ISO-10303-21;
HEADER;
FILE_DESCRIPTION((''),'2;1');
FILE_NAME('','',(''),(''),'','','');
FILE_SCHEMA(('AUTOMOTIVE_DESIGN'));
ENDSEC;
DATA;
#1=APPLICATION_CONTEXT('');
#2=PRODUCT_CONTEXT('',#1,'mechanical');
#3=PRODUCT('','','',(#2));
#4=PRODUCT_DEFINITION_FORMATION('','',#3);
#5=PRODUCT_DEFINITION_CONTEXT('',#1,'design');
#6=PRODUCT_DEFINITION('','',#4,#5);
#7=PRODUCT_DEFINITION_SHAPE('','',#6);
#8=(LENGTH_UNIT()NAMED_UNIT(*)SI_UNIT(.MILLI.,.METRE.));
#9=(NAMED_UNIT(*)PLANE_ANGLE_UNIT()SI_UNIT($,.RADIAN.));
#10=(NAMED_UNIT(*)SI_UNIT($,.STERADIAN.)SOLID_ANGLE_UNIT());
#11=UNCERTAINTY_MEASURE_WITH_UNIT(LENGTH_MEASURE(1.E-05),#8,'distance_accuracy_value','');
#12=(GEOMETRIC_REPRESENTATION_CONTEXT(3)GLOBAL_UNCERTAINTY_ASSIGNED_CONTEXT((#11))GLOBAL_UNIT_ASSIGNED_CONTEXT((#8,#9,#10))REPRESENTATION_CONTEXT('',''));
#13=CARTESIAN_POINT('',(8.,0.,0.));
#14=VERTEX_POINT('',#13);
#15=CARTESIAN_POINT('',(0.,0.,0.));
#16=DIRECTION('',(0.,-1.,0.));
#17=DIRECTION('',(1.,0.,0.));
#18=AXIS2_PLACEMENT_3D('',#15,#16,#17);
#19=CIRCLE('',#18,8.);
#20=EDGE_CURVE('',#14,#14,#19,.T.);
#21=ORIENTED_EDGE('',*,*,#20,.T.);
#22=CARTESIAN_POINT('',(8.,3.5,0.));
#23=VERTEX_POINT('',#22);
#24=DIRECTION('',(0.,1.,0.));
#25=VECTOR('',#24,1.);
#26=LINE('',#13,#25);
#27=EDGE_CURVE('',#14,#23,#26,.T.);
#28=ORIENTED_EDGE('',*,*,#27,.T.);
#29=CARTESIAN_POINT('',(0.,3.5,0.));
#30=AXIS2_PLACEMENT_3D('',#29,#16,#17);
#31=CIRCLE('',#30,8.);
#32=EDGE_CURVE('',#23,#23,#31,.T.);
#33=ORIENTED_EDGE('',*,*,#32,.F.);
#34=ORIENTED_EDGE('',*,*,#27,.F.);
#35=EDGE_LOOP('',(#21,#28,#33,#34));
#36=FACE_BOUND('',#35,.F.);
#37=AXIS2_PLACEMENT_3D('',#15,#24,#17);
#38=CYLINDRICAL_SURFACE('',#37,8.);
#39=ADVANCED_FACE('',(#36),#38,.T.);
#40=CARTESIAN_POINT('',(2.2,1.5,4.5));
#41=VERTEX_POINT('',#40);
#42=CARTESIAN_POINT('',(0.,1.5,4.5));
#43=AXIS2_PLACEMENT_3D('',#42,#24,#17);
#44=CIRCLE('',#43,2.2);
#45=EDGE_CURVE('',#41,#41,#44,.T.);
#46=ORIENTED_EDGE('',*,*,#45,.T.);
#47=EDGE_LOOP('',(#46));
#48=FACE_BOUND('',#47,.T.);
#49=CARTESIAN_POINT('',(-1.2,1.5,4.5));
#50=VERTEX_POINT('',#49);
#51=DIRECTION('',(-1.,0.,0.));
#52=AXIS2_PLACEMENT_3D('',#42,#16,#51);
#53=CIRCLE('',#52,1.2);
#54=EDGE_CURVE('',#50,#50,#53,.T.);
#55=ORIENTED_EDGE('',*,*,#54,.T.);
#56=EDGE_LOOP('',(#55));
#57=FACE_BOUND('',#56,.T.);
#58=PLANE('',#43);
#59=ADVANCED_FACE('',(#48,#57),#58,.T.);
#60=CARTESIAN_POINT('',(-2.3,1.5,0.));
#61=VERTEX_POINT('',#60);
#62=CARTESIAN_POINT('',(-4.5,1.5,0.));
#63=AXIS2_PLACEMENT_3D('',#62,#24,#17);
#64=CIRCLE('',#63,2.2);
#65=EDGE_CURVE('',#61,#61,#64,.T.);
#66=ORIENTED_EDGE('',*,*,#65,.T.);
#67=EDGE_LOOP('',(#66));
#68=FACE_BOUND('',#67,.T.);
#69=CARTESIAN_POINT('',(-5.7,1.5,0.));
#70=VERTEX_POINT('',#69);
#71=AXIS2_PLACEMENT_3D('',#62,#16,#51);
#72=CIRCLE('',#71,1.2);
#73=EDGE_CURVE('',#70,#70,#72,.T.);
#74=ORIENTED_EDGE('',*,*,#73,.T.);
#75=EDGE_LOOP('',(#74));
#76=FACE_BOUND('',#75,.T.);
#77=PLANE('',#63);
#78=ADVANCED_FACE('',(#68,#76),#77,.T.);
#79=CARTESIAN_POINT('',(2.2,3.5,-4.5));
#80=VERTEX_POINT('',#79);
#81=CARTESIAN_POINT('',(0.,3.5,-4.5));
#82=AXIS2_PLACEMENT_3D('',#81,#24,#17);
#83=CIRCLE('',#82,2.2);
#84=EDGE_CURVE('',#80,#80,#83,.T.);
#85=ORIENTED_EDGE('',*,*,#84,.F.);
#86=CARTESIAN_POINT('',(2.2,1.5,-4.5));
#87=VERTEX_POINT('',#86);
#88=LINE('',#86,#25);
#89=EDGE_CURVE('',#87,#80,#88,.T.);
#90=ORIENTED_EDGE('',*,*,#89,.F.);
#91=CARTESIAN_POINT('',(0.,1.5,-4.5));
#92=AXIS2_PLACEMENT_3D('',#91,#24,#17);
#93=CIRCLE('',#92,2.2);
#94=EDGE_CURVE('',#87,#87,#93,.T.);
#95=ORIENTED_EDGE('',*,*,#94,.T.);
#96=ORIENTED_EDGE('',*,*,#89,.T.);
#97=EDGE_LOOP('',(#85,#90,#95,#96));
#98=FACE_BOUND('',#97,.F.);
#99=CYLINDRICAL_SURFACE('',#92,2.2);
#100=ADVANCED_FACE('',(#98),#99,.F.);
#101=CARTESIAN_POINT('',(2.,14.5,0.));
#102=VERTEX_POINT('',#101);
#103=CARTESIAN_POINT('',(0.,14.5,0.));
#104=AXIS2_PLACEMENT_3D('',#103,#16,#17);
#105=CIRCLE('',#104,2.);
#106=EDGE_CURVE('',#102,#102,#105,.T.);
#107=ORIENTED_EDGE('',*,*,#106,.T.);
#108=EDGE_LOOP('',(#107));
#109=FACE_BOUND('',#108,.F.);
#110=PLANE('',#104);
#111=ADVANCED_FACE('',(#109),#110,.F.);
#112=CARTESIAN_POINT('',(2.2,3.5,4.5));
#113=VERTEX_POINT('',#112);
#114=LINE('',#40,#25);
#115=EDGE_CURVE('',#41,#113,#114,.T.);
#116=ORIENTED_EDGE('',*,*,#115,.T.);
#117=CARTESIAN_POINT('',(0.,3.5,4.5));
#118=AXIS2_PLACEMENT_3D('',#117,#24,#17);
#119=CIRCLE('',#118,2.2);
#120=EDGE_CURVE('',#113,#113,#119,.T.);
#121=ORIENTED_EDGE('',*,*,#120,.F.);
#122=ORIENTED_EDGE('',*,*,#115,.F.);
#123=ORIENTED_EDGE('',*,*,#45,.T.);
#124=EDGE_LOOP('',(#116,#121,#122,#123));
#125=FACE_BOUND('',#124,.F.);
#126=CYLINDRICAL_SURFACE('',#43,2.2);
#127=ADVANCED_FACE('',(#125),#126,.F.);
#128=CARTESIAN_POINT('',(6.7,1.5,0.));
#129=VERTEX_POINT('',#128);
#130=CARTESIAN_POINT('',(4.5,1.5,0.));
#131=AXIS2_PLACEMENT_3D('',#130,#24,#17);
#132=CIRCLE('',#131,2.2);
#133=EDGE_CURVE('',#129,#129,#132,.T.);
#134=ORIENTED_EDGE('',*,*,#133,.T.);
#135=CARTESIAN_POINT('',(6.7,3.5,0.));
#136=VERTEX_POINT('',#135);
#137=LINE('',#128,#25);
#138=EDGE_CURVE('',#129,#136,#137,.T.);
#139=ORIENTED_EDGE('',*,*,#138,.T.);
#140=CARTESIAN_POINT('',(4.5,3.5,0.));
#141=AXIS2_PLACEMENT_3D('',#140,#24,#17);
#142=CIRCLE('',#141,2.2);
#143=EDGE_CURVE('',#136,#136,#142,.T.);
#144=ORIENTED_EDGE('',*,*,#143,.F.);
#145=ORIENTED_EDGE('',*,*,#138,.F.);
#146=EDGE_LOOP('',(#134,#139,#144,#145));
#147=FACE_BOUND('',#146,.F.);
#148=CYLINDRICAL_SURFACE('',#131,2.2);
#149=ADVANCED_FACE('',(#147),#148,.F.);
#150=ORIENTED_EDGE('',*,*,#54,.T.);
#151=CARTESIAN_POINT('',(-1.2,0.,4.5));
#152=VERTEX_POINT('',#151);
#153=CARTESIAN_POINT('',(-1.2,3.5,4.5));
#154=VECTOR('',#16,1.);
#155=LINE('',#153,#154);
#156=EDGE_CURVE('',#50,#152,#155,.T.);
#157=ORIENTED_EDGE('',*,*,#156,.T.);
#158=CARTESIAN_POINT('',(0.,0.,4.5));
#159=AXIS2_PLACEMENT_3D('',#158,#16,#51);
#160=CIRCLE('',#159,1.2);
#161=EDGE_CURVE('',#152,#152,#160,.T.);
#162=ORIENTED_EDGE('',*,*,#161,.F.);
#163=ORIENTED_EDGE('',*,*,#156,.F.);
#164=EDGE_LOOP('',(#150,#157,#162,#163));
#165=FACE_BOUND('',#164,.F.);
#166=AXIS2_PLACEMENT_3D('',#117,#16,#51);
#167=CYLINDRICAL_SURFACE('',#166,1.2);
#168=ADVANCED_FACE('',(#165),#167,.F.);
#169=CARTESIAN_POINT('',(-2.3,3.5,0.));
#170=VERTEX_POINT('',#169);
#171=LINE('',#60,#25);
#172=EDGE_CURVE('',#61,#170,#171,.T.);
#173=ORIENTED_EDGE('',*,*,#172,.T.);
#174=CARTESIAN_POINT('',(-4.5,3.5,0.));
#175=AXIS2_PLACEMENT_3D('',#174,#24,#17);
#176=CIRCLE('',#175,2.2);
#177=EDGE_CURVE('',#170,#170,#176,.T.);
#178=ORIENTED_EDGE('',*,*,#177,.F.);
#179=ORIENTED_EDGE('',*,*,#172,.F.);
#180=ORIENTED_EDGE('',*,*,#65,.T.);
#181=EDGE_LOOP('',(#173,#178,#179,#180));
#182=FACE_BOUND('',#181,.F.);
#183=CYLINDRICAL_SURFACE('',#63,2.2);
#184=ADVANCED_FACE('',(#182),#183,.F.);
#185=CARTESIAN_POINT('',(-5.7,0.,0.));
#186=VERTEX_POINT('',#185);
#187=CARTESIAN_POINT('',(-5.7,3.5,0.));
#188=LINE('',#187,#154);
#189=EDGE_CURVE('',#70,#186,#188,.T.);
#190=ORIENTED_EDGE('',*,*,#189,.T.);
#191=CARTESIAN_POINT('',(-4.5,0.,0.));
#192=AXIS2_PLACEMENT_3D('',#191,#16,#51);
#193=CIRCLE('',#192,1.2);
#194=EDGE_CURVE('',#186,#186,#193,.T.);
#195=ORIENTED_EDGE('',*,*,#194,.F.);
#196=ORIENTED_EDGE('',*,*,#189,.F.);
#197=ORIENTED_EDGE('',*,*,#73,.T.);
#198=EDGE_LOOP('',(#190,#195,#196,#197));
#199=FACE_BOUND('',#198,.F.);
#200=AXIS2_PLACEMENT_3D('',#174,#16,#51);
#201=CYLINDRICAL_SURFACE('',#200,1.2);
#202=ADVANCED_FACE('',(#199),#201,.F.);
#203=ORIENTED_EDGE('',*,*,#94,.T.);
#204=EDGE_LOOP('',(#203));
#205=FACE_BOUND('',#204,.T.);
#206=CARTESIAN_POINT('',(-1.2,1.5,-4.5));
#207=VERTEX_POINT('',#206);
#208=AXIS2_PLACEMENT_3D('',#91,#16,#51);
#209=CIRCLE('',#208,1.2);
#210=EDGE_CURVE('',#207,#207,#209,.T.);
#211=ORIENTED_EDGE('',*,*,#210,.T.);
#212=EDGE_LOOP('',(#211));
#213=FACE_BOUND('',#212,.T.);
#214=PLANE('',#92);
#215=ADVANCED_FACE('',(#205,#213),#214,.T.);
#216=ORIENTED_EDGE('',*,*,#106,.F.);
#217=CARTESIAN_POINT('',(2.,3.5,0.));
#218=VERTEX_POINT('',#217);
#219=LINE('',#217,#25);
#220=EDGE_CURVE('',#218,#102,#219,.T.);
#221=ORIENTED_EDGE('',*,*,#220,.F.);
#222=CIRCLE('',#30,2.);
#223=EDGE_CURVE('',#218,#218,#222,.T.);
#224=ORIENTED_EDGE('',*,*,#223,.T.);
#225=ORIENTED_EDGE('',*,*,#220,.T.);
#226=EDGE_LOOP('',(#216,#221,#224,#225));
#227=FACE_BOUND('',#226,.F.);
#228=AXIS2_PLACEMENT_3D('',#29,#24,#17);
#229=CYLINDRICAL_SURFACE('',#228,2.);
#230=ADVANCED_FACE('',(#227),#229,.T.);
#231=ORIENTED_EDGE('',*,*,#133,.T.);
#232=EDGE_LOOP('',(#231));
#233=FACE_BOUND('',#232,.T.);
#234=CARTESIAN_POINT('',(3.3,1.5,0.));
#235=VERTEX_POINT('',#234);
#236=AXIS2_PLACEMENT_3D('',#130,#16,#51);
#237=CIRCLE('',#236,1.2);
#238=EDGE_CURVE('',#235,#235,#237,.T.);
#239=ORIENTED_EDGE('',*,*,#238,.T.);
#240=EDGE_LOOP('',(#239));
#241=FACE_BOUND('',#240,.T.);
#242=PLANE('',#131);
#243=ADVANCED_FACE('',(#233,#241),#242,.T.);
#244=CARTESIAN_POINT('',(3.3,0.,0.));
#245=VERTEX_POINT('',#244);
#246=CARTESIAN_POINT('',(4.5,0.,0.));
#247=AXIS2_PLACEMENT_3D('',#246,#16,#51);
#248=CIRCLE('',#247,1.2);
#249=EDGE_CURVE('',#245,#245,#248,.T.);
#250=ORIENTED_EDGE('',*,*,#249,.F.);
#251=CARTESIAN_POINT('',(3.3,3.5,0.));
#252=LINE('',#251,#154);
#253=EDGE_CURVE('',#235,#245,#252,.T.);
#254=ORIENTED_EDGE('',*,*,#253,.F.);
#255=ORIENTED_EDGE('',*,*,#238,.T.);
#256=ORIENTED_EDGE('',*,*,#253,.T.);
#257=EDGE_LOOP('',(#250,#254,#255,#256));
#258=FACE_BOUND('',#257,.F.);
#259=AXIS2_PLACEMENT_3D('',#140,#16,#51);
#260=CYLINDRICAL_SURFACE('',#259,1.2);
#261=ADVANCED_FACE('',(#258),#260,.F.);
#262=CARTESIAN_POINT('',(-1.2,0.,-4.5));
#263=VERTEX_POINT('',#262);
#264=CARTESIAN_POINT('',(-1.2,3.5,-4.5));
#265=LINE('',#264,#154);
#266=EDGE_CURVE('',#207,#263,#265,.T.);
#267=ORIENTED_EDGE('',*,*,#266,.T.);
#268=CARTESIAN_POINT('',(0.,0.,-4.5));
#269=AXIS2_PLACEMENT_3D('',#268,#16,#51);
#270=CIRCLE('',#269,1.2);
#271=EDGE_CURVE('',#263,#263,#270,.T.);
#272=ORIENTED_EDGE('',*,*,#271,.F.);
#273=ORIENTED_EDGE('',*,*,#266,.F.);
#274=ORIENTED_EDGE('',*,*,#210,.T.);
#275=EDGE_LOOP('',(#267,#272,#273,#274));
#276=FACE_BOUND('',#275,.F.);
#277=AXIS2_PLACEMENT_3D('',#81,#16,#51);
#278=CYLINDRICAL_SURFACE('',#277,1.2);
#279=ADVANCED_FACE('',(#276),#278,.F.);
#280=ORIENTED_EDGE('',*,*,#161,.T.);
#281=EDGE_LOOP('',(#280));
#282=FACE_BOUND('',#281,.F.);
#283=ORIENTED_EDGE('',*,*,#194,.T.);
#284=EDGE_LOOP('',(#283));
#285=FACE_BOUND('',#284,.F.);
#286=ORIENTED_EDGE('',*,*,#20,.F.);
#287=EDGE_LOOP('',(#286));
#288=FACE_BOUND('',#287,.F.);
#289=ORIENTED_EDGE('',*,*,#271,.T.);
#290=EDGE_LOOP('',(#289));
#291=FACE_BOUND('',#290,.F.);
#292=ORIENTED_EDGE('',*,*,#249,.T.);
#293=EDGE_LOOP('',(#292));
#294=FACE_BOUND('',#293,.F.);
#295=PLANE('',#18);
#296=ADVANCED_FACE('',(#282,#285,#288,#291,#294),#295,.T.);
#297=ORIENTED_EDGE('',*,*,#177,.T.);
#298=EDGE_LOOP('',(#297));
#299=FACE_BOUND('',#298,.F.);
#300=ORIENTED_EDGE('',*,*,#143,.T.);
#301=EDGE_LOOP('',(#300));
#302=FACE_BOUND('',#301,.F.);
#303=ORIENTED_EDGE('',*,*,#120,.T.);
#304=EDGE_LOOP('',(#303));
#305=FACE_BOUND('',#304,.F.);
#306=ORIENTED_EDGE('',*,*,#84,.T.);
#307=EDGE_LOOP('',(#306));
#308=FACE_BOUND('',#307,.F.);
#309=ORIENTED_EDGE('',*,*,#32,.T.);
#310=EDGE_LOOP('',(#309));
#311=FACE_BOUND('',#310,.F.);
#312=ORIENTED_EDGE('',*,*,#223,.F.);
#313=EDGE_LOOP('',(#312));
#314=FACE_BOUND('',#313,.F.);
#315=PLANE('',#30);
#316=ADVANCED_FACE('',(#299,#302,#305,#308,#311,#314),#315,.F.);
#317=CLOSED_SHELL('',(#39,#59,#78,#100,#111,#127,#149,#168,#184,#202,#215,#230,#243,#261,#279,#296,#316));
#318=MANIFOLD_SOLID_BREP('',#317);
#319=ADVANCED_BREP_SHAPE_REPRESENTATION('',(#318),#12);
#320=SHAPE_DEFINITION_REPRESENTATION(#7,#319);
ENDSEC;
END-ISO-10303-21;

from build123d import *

# Parameters (mm, degrees)
CBORE_FOR_M2_SHCS1_D           = 2.4
CBORE_FOR_M2_SHCS1_CBORE_D     = 4.4
CBORE_FOR_M2_SHCS1_CBORE_DEPTH = 2


with BuildPart() as part:
    # Sketch1 → Revolve1 (revolve)
    with BuildSketch(Plane.XY):
        Polygon((0, 0), (8, 0), (8, 3.5), (2, 3.5), (2, 14.5), (0, 14.5), align=None)
    revolve(axis=Axis((0, 14.5, 0), (0, -1, 0)))

    # CBORE for M2 SHCS1 (through all)
    with Locations(Plane(origin=(0, 3.5, 0), x_dir=(1, 0, 0), z_dir=(0, 1, 0))):
        with Locations((-4.5, 0), (0, 4.5), (4.5, 0), (0, -4.5)):
            CounterBoreHole(CBORE_FOR_M2_SHCS1_D / 2, CBORE_FOR_M2_SHCS1_CBORE_D / 2, CBORE_FOR_M2_SHCS1_CBORE_DEPTH)


solid = part.part
